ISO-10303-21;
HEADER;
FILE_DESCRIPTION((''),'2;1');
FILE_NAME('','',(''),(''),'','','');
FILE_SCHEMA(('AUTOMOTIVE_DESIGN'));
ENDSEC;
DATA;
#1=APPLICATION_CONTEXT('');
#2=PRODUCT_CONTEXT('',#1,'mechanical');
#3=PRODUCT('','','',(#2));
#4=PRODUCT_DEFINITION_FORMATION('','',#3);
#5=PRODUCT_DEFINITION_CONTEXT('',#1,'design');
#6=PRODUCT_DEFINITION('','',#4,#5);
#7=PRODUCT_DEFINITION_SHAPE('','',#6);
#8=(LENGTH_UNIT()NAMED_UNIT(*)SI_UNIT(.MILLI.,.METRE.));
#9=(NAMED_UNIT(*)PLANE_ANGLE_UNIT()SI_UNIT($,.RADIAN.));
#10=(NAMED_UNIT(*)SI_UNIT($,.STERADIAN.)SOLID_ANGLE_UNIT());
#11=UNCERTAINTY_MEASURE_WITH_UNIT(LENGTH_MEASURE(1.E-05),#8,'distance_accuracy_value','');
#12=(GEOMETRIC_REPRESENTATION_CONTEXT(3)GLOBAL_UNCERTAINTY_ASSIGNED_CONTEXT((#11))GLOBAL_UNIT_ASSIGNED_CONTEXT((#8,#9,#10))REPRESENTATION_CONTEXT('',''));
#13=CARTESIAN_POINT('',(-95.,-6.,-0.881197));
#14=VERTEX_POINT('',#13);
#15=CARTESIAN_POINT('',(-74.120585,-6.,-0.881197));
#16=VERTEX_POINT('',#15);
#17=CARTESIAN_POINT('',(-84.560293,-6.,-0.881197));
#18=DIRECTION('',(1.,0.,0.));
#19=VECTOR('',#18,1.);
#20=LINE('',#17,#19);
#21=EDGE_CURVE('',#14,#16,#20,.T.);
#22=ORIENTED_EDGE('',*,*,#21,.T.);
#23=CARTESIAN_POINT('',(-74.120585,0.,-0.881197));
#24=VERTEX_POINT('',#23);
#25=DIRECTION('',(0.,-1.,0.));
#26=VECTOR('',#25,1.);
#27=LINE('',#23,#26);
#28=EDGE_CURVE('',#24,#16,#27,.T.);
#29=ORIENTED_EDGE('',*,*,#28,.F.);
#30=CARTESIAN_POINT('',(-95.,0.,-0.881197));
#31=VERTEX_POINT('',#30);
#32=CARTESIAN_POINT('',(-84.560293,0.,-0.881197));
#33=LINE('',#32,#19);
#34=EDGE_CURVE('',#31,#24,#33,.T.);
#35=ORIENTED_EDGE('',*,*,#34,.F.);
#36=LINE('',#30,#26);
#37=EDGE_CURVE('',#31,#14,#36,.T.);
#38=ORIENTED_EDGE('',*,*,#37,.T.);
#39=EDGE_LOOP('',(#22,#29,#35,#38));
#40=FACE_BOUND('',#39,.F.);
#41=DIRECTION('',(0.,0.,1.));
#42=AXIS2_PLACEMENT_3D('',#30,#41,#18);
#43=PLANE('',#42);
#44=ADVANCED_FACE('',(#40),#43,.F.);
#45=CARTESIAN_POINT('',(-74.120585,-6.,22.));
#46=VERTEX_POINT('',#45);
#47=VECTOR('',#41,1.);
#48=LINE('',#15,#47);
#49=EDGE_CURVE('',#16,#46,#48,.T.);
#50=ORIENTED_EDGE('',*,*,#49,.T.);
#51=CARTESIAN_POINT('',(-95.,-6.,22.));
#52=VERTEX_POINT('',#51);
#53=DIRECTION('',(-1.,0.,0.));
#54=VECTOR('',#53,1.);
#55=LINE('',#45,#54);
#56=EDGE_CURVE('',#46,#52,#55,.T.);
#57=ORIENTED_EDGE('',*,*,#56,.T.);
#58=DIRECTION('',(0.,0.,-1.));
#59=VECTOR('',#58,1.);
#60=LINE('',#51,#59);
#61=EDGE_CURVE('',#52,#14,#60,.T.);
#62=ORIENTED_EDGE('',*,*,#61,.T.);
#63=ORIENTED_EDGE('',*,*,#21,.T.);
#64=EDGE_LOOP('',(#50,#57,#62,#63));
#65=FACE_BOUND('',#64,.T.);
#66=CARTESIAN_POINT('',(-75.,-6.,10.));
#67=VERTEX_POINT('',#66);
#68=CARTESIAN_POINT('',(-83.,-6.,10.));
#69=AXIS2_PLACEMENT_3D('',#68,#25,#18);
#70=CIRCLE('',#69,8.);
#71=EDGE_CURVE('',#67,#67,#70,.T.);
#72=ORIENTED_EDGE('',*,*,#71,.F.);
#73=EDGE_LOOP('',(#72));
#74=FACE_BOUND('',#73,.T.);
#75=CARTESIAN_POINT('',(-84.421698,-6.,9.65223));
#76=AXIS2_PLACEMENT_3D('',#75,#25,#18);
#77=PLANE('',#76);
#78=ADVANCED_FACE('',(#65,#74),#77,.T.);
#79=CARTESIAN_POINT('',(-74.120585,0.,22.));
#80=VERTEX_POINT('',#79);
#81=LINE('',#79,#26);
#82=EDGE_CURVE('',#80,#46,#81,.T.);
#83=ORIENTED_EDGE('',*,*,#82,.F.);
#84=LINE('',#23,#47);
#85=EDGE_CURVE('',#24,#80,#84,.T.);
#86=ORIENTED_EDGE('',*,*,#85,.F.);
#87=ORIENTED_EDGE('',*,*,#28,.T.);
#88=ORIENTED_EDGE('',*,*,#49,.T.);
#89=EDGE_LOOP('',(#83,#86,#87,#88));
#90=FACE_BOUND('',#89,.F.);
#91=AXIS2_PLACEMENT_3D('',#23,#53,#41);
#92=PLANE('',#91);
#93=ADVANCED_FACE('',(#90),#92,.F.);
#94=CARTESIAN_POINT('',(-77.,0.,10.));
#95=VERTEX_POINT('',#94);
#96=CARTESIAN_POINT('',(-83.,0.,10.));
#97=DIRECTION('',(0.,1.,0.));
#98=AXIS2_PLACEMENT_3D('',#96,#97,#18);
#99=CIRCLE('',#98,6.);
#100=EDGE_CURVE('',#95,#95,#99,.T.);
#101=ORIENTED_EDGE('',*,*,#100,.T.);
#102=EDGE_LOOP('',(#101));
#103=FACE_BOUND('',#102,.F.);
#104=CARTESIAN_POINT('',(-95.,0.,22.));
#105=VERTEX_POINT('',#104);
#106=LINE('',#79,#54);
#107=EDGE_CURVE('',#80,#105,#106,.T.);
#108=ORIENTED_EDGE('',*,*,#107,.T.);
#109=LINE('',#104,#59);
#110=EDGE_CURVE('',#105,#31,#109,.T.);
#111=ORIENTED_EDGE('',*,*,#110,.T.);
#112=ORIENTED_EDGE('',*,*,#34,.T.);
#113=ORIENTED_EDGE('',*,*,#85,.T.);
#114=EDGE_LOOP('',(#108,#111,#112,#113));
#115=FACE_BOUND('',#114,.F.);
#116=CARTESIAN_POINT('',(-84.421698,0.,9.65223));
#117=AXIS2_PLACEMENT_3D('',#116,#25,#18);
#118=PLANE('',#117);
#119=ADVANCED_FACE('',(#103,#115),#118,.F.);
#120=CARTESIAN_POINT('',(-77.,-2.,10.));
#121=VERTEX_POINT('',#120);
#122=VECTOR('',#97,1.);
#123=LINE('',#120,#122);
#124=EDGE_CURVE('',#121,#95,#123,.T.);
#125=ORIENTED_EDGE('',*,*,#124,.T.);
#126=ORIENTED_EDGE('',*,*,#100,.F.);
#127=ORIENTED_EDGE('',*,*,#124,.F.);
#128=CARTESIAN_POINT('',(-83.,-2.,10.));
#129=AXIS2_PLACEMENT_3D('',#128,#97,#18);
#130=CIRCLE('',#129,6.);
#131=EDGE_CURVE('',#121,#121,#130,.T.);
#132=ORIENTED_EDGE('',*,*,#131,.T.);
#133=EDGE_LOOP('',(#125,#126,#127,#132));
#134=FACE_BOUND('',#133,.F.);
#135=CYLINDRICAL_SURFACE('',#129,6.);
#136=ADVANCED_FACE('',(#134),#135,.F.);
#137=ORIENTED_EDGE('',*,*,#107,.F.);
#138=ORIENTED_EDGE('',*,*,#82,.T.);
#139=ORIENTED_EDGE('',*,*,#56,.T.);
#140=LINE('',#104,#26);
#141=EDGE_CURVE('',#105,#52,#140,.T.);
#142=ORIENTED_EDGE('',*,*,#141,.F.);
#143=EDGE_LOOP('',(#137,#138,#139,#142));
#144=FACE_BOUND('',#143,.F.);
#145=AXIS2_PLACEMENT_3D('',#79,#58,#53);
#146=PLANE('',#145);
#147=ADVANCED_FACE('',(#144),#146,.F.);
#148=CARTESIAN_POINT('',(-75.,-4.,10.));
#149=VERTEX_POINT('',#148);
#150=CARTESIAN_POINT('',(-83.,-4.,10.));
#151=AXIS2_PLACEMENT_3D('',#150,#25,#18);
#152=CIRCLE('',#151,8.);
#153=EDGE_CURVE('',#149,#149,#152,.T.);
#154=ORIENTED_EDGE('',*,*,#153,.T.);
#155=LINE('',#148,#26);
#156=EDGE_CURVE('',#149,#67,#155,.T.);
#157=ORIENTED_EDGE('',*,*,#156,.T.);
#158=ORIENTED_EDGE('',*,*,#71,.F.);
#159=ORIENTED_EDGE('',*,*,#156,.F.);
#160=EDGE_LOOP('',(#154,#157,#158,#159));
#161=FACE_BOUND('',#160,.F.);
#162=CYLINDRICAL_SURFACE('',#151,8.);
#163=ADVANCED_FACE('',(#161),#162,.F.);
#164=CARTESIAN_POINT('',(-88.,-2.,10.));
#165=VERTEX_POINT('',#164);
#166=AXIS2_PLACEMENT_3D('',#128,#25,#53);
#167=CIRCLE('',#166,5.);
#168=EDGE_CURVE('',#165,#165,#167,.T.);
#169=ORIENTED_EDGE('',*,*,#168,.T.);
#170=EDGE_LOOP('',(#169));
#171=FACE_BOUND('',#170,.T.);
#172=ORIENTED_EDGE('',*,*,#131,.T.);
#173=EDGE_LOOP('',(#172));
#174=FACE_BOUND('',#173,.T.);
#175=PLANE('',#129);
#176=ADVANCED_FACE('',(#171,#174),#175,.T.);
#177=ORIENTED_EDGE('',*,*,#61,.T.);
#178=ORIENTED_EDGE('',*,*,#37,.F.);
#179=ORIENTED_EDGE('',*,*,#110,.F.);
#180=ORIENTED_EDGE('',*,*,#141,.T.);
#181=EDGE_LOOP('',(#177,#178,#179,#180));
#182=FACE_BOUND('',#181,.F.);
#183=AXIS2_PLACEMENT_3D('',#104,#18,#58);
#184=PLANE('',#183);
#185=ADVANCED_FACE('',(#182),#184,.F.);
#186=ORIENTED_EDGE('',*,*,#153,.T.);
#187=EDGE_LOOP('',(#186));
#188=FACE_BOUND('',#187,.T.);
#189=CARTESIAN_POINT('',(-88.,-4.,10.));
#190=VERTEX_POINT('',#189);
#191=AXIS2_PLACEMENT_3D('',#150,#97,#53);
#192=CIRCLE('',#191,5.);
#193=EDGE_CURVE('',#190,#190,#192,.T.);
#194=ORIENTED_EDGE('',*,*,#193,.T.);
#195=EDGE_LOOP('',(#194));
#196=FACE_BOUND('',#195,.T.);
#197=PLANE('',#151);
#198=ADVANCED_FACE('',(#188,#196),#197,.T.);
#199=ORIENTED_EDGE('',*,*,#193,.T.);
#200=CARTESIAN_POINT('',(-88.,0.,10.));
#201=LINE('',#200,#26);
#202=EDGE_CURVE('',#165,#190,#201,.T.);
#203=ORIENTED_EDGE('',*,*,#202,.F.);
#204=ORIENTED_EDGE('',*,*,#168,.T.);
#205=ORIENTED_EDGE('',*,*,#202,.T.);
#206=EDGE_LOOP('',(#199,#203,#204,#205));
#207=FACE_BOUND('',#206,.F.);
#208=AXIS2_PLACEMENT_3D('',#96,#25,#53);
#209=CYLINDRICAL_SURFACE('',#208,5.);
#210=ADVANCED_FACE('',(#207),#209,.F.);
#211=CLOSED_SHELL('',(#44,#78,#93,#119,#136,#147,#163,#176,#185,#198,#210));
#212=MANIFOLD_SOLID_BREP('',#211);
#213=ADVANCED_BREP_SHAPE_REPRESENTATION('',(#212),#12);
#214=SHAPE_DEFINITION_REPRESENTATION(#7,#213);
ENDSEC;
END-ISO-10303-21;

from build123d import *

# Parameters (mm, degrees)
F2_R           = 4.5
F2_W           = 20.8794145286
F2_H           = 3.3811966982
F3_DEPTH       = 6
F4_D           = 10
F4_DEPTH       = 4
F4_CBORE_D     = 12
F4_CBORE_DEPTH = 2
F4_TIP         = 3.0043030951
F6_D           = 9
F6_DEPTH       = 6
F6_CBORE_D     = 16
F6_CBORE_DEPTH = 2
F6_TIP         = 2.7038727856


with BuildPart() as f3:
    # F2 (on face) → F3 (new body)
    with BuildSketch(Plane.XZ):
        with BuildLine():
            Line((-74.1205854714, 17), (-93, 17))
            ThreePointArc((-93, 17), (-94.4142135624, 16.4142135624), (-95, 15))
            Line((-95, 15), (-95, 2.5))
            Line((-95, 2.5), (-74.1205854714, 2.5))
            Line((-74.1205854714, 2.5), (-74.1205854714, 17))
        make_face()
        with Locations((-83, 10)):
            Circle(F2_R, mode=Mode.SUBTRACT)
        Polygon((-95, 17), (-93, 17), (-74.1205854714, 17), (-74.1205854714, 22), (-95, 22), align=None)
        with Locations((-84.5602927357, 0.8094016509)):
            Rectangle(F2_W, F2_H)
        with Locations((-83, 10)):
            Circle(F2_R)
        with BuildLine():
            ThreePointArc((-95, 15), (-94.4142135624, 16.4142135624), (-93, 17))
            Line((-93, 17), (-95, 17))
            Line((-95, 17), (-95, 15))
        make_face()
    extrude(amount=F3_DEPTH)

    # F4
    with Locations(Plane(origin=(0, 0, 0), x_dir=(1, 0, 0), z_dir=(0, 1, 0))):
        with Locations((-63, -10), (-83, -10), (-83, 10), (-63, 10)):
            CounterBoreHole(F4_D / 2, F4_CBORE_D / 2, F4_CBORE_DEPTH, depth=F4_DEPTH)
            with Locations((0, 0, -(F4_DEPTH + F4_TIP / 2))):  # 118° drill point
                Cone(0, F4_D / 2, F4_TIP, mode=Mode.SUBTRACT)

    # F6
    with Locations(Plane.XZ.offset(6)):
        with Locations((-83, 10)):
            CounterBoreHole(F6_D / 2, F6_CBORE_D / 2, F6_CBORE_DEPTH, depth=F6_DEPTH)
            with Locations((0, 0, -(F6_DEPTH + F6_TIP / 2))):  # 118° drill point
                Cone(0, F6_D / 2, F6_TIP, mode=Mode.SUBTRACT)


solid = f3.part
